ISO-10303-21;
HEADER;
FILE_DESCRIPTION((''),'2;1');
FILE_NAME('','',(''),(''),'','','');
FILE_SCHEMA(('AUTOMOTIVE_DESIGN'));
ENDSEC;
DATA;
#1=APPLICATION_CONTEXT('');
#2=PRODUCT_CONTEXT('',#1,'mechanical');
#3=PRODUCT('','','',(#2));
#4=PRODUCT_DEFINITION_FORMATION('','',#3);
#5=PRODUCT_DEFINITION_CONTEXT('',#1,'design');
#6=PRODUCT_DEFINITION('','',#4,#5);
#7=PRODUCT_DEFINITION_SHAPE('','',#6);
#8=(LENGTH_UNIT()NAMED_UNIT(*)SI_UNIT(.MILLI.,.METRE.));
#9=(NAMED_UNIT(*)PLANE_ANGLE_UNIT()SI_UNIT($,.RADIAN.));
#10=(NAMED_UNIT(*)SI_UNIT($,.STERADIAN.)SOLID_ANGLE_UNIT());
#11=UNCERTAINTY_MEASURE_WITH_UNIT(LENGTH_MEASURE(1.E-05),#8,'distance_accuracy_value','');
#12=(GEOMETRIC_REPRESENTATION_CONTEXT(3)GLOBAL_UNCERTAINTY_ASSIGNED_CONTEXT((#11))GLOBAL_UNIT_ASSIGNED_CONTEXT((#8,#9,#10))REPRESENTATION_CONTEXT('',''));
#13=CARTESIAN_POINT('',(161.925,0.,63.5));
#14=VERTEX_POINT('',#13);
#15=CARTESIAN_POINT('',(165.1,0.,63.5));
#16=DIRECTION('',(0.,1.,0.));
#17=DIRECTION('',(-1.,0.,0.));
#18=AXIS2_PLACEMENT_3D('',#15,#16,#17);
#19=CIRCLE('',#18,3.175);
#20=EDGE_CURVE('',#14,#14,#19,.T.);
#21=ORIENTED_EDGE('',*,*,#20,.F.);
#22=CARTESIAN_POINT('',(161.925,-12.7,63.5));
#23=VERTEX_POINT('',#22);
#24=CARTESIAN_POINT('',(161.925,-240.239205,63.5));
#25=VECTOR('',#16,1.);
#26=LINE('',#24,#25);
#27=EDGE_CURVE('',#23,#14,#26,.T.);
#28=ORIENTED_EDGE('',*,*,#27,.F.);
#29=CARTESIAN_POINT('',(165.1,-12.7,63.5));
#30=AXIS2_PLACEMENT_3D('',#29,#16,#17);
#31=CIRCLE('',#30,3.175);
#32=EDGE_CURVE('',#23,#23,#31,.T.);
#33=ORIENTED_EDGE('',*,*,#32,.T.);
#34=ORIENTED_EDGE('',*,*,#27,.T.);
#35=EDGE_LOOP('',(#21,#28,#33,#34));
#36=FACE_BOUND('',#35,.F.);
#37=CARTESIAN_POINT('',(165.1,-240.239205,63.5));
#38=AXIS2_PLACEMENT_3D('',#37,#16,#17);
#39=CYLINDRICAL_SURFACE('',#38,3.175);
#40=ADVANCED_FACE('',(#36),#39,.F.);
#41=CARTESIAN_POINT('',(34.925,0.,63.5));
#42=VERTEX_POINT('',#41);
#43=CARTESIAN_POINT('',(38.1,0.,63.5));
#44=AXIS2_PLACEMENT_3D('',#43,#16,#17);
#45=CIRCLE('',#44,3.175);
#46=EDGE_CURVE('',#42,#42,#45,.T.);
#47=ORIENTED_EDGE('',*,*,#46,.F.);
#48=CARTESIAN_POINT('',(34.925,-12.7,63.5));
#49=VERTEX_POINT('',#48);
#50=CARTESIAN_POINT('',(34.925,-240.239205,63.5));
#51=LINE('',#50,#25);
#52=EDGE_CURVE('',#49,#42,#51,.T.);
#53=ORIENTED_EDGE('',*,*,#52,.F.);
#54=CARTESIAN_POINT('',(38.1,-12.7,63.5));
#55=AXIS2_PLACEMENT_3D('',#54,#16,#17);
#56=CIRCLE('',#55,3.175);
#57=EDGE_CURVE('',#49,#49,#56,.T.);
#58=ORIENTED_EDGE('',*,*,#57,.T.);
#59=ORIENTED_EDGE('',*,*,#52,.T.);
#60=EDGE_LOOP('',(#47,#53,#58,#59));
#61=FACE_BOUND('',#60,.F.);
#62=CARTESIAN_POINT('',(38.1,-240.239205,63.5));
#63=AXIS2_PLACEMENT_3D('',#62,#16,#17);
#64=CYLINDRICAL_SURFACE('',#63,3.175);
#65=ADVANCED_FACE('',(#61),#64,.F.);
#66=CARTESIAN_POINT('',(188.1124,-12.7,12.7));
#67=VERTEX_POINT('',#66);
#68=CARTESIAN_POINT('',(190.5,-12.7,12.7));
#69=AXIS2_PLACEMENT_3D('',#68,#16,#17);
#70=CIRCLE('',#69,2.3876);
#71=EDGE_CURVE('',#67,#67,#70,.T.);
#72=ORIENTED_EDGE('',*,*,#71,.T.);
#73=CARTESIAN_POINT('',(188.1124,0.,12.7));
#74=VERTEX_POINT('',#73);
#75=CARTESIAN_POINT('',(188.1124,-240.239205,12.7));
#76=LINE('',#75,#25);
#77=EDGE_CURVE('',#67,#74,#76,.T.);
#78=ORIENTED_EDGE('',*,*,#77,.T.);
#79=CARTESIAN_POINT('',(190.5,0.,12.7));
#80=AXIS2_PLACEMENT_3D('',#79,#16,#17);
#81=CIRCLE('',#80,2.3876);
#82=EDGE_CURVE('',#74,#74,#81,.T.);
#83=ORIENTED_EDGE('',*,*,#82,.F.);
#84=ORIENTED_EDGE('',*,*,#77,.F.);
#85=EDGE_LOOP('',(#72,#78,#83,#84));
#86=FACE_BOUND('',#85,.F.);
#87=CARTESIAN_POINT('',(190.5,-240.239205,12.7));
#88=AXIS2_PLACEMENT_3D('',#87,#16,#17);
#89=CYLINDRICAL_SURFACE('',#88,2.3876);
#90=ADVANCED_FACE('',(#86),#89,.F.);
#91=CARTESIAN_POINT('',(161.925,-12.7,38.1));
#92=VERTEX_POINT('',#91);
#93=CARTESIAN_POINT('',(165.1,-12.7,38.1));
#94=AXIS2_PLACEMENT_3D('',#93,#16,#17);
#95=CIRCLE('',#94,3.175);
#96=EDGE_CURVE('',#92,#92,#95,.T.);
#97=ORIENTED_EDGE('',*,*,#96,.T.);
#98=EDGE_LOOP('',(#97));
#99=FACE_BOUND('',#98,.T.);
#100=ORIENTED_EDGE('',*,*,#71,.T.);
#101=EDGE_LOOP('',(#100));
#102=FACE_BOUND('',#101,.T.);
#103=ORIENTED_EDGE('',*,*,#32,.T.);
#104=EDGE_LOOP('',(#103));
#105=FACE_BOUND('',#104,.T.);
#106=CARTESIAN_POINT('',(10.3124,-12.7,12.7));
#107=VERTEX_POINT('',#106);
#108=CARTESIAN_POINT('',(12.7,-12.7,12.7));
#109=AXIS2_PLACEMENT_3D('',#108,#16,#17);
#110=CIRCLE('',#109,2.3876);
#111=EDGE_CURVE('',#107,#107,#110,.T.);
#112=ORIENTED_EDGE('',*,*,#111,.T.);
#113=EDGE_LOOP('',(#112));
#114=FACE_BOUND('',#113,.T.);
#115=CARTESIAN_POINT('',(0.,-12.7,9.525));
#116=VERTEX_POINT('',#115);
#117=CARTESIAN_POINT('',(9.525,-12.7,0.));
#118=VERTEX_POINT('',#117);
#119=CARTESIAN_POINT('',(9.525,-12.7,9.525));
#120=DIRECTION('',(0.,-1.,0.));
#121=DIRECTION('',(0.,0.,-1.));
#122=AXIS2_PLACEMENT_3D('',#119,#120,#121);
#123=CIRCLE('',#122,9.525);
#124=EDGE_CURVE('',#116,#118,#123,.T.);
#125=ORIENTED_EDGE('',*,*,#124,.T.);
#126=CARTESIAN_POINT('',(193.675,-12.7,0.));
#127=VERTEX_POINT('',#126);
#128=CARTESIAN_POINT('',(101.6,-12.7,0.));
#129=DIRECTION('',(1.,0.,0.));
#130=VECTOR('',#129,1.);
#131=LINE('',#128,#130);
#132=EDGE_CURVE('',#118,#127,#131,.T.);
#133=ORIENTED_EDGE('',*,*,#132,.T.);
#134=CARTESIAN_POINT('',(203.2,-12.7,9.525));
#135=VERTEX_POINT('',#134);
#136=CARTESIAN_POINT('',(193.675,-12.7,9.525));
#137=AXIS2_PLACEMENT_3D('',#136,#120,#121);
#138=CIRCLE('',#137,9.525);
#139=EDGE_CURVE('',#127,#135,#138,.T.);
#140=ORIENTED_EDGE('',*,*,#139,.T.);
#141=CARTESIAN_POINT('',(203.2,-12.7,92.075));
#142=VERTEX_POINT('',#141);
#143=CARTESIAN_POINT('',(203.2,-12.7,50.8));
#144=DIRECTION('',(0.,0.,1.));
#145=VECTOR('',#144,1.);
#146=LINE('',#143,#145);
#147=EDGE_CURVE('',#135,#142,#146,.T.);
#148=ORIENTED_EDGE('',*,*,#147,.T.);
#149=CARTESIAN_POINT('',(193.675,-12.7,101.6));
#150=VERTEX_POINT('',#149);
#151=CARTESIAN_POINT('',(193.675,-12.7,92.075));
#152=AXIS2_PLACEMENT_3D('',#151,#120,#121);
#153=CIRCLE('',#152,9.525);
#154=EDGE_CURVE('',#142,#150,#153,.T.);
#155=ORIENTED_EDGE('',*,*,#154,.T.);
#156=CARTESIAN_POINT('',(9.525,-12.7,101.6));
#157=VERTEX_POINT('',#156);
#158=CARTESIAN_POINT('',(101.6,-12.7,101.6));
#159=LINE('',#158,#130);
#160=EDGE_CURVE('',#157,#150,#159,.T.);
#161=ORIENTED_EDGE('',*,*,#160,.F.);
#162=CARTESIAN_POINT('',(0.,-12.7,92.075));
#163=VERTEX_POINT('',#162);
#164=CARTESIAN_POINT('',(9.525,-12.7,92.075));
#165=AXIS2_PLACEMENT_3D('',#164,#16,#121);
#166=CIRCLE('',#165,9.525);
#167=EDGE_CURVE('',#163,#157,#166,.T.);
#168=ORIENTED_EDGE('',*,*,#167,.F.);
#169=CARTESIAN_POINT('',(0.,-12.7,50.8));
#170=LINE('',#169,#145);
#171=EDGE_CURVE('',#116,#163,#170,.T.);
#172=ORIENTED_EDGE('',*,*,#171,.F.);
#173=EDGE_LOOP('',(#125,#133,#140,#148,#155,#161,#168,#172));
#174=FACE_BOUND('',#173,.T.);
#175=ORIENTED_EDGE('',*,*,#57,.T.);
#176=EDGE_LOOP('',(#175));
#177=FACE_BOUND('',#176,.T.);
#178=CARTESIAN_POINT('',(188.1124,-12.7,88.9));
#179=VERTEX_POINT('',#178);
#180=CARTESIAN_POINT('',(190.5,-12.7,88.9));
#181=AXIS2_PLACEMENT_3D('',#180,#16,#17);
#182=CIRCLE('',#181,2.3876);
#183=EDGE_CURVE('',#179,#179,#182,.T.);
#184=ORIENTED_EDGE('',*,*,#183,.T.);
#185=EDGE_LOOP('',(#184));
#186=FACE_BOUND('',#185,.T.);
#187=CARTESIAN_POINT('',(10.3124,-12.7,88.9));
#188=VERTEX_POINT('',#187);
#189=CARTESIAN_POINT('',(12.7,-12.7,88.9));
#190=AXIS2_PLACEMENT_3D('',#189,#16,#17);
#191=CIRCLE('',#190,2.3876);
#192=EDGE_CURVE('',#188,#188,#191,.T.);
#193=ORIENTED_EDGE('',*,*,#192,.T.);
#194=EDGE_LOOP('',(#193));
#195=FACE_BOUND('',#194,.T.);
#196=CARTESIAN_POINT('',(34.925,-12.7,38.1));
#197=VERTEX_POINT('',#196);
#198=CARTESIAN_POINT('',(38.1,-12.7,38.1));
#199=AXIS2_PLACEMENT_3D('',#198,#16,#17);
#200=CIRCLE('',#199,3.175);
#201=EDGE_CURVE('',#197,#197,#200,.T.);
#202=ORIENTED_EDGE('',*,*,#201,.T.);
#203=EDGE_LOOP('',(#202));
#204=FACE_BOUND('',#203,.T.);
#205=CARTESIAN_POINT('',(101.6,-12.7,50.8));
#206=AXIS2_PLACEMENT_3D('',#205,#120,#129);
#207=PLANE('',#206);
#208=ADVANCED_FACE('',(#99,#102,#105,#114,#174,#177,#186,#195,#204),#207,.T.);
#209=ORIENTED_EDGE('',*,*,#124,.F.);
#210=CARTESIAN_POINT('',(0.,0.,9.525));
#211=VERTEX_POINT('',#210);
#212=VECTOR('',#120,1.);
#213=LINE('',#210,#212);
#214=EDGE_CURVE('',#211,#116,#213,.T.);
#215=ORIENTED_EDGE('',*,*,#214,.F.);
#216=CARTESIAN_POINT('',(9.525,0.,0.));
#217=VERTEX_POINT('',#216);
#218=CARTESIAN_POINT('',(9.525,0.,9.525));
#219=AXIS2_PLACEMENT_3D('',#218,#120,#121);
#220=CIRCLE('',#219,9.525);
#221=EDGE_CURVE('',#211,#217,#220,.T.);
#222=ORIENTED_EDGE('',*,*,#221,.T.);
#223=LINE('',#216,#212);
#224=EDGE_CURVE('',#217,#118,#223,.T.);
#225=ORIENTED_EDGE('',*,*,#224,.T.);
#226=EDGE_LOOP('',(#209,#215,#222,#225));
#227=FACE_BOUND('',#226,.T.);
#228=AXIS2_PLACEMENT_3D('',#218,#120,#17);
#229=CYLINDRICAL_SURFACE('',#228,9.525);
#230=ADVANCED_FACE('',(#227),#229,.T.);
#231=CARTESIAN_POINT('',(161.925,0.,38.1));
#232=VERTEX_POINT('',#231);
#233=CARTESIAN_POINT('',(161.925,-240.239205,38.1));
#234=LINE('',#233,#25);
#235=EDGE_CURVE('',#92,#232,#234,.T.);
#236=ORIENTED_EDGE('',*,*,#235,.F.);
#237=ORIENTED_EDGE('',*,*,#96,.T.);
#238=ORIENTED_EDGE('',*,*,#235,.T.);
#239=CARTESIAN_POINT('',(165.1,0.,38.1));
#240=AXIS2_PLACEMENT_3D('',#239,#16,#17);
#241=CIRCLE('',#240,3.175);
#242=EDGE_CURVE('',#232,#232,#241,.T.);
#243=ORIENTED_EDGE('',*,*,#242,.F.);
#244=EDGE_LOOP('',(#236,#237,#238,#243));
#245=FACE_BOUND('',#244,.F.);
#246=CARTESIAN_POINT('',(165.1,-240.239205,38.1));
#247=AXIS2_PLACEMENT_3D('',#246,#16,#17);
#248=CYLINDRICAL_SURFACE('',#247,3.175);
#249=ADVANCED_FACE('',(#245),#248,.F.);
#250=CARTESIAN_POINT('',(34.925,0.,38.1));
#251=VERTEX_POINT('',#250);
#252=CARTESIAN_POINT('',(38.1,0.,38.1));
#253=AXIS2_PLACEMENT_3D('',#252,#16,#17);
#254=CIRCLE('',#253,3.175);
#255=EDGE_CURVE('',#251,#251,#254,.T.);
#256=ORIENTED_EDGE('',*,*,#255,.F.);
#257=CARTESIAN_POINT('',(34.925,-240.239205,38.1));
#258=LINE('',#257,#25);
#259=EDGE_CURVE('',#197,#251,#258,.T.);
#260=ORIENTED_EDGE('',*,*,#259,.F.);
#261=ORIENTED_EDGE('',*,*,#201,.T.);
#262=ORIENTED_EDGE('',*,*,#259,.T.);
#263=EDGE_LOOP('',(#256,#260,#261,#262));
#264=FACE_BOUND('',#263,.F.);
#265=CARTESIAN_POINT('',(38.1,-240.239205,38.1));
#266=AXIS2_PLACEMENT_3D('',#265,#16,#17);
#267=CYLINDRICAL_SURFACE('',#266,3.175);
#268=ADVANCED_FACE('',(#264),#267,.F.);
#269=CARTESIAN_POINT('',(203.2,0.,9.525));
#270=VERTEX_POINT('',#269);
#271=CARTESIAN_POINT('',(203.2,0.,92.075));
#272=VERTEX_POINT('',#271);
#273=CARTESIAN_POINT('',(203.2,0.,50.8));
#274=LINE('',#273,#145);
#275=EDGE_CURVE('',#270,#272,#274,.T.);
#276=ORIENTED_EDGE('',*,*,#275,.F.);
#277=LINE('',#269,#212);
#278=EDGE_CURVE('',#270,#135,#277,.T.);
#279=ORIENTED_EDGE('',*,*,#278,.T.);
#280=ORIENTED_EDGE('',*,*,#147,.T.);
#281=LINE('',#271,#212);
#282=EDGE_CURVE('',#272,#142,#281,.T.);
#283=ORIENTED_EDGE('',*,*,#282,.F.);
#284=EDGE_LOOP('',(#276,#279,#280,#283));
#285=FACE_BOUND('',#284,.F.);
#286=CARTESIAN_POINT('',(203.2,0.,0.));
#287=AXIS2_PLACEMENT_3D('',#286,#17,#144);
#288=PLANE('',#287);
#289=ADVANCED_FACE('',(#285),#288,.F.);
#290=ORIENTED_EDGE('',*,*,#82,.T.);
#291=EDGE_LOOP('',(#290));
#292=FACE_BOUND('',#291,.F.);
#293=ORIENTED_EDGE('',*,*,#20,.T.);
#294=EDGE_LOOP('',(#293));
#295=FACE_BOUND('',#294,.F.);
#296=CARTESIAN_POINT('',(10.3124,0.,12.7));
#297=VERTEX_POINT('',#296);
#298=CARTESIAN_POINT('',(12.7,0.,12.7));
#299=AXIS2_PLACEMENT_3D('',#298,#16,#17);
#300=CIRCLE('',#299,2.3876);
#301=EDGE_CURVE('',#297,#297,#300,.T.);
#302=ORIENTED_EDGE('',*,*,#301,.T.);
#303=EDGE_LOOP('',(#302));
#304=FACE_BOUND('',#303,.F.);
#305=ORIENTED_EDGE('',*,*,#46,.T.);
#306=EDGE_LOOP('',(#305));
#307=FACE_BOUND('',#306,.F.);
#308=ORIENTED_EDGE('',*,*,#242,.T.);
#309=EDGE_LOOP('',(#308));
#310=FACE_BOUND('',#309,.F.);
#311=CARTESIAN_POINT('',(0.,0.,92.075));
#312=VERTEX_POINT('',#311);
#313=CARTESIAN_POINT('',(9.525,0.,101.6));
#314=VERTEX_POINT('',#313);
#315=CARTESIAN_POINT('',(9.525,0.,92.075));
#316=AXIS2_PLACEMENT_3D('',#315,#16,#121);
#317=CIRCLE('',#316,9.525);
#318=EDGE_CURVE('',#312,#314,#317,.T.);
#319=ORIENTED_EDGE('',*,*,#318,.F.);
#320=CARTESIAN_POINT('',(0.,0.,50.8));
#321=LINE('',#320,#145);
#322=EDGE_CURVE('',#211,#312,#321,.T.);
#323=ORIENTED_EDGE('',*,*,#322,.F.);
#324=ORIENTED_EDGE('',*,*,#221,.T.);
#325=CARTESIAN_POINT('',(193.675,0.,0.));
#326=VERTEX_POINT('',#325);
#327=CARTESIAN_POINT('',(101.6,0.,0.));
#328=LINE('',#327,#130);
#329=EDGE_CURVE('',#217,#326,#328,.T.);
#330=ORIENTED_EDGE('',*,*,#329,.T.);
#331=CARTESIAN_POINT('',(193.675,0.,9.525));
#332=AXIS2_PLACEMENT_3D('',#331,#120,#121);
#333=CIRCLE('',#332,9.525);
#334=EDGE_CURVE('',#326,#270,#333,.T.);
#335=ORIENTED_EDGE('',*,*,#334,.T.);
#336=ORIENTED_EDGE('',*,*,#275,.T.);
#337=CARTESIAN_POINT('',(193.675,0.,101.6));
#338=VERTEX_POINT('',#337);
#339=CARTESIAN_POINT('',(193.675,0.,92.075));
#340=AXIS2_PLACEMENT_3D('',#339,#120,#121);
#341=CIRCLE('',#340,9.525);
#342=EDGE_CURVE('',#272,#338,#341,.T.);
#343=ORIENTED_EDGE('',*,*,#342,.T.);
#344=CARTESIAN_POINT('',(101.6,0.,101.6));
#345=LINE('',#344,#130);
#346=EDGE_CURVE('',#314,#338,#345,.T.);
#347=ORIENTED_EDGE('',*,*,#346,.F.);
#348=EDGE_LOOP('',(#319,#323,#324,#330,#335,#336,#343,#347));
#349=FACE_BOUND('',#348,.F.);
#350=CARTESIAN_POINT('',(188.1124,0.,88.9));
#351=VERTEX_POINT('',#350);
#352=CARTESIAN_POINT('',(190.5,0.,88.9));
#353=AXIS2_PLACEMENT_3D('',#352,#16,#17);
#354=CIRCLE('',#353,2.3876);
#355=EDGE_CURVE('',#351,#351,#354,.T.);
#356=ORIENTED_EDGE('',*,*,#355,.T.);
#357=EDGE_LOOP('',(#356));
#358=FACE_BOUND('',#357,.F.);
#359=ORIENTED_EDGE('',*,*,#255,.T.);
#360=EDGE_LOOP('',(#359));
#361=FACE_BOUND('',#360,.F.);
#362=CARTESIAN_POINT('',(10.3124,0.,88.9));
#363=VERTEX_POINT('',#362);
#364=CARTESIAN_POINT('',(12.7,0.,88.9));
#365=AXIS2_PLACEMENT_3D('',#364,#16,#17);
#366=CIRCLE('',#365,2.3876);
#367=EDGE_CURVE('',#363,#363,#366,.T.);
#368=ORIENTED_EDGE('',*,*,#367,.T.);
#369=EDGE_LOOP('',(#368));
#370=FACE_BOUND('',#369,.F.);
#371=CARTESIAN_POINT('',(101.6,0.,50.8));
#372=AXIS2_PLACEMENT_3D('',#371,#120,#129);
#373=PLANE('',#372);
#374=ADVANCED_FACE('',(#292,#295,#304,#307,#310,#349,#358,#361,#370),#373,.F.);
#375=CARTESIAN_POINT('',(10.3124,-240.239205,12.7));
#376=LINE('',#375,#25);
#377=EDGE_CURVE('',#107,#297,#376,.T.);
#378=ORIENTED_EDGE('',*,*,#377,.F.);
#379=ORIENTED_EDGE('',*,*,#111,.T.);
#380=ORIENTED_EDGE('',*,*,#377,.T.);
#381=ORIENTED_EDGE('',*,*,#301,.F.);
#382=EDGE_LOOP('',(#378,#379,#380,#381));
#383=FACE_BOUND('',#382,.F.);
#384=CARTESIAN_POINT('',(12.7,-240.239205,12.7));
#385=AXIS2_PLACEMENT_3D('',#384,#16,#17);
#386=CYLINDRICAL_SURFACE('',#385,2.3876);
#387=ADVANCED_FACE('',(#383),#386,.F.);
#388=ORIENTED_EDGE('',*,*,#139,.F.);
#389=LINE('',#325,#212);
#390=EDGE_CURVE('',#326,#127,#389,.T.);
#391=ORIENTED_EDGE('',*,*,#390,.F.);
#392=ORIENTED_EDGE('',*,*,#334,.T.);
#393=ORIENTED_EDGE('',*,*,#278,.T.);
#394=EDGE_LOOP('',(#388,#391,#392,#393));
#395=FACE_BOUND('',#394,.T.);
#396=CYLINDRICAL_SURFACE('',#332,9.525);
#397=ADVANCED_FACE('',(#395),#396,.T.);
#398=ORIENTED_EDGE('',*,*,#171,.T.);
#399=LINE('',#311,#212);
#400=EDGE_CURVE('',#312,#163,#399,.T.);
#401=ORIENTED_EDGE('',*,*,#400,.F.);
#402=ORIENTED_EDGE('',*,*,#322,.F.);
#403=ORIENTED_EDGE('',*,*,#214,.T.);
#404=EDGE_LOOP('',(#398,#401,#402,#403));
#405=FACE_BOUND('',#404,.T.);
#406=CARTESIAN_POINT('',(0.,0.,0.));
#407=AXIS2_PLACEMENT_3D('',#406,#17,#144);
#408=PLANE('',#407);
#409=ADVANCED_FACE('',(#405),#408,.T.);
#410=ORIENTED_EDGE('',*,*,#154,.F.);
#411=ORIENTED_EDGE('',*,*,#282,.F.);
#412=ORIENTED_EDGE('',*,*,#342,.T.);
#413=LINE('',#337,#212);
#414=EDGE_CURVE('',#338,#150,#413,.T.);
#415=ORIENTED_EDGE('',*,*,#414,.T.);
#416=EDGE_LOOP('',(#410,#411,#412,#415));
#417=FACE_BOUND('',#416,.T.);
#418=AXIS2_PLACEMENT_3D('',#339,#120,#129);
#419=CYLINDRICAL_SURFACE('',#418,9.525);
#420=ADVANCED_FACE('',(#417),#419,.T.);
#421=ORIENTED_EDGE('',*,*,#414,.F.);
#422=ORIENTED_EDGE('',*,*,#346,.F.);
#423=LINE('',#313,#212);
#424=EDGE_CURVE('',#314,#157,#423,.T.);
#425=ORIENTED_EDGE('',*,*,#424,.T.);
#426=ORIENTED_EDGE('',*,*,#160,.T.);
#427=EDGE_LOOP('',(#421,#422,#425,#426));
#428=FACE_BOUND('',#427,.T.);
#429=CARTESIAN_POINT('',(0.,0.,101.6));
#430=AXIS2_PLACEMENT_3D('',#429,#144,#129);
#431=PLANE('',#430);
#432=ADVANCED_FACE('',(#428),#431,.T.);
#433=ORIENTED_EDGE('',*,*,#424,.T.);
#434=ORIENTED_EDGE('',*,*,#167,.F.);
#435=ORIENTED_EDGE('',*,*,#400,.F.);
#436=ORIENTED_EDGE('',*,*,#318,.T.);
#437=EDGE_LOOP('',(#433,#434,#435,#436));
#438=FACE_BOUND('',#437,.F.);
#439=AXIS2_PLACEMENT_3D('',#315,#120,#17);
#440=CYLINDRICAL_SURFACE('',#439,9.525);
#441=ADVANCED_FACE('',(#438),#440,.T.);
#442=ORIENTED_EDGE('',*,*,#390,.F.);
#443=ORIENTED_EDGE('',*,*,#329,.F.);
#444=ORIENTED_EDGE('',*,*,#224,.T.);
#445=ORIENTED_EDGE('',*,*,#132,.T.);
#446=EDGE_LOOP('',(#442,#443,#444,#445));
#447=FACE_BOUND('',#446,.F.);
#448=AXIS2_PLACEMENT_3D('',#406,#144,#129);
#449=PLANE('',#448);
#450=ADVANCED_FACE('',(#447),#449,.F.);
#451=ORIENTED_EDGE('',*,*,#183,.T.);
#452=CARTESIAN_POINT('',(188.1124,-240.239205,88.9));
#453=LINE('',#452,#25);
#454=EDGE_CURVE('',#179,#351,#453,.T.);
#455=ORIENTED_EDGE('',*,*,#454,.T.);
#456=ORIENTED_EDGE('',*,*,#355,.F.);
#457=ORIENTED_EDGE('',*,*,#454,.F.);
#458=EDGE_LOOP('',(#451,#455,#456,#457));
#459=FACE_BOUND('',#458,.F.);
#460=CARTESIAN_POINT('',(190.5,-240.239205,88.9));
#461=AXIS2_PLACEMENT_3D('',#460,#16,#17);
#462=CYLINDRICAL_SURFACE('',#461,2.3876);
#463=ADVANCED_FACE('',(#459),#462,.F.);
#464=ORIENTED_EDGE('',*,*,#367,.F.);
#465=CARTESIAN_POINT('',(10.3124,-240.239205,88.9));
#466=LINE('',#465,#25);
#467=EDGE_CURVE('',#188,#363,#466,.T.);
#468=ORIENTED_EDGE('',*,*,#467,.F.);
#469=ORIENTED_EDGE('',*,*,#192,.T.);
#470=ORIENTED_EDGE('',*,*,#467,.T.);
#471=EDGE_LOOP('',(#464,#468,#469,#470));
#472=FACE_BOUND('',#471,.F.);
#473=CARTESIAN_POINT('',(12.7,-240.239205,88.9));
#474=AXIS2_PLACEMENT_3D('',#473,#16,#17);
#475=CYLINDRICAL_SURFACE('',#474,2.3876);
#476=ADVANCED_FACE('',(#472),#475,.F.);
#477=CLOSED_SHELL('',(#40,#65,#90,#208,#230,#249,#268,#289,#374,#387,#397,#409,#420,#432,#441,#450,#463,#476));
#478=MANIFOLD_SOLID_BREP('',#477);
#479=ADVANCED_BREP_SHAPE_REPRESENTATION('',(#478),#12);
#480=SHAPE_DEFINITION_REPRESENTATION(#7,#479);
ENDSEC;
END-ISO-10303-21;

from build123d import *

# Parameters (mm, degrees)
F0_W     = 203.2
F0_H     = 101.6
F1_DEPTH = 12.7
F2_R     = 9.525
F4_D     = 4.7752
F6_D     = 6.35


with BuildPart() as f1:
    # F0 (on Front) → F1 (new body)
    with BuildSketch(Plane.XZ):
        with Locations((101.6, 50.8)):
            Rectangle(F0_W, F0_H)
    extrude(amount=F1_DEPTH)

    # F2
    f2_edges = [f1.edges().sort_by_distance(p)[0] for p in [
        (0, -6.35, 101.6),
        (0, -6.35, 0),
        (203.2, -6.35, 0),
        (203.2, -6.35, 101.6),
    ]]
    fillet(f2_edges, radius=F2_R)

    # F4 (through all)
    with Locations(Plane.XZ.offset(12.7)):
        with Locations((12.7, 12.7), (12.7, 88.9), (190.5, 88.9), (190.5, 12.7)):
            Hole(F4_D / 2)

    # F6 (through all)
    with Locations(Plane.XZ.offset(12.7)):
        with Locations((38.1, 63.5), (38.1, 38.1), (165.1, 38.1), (165.1, 63.5)):
            Hole(F6_D / 2)


solid = f1.part
